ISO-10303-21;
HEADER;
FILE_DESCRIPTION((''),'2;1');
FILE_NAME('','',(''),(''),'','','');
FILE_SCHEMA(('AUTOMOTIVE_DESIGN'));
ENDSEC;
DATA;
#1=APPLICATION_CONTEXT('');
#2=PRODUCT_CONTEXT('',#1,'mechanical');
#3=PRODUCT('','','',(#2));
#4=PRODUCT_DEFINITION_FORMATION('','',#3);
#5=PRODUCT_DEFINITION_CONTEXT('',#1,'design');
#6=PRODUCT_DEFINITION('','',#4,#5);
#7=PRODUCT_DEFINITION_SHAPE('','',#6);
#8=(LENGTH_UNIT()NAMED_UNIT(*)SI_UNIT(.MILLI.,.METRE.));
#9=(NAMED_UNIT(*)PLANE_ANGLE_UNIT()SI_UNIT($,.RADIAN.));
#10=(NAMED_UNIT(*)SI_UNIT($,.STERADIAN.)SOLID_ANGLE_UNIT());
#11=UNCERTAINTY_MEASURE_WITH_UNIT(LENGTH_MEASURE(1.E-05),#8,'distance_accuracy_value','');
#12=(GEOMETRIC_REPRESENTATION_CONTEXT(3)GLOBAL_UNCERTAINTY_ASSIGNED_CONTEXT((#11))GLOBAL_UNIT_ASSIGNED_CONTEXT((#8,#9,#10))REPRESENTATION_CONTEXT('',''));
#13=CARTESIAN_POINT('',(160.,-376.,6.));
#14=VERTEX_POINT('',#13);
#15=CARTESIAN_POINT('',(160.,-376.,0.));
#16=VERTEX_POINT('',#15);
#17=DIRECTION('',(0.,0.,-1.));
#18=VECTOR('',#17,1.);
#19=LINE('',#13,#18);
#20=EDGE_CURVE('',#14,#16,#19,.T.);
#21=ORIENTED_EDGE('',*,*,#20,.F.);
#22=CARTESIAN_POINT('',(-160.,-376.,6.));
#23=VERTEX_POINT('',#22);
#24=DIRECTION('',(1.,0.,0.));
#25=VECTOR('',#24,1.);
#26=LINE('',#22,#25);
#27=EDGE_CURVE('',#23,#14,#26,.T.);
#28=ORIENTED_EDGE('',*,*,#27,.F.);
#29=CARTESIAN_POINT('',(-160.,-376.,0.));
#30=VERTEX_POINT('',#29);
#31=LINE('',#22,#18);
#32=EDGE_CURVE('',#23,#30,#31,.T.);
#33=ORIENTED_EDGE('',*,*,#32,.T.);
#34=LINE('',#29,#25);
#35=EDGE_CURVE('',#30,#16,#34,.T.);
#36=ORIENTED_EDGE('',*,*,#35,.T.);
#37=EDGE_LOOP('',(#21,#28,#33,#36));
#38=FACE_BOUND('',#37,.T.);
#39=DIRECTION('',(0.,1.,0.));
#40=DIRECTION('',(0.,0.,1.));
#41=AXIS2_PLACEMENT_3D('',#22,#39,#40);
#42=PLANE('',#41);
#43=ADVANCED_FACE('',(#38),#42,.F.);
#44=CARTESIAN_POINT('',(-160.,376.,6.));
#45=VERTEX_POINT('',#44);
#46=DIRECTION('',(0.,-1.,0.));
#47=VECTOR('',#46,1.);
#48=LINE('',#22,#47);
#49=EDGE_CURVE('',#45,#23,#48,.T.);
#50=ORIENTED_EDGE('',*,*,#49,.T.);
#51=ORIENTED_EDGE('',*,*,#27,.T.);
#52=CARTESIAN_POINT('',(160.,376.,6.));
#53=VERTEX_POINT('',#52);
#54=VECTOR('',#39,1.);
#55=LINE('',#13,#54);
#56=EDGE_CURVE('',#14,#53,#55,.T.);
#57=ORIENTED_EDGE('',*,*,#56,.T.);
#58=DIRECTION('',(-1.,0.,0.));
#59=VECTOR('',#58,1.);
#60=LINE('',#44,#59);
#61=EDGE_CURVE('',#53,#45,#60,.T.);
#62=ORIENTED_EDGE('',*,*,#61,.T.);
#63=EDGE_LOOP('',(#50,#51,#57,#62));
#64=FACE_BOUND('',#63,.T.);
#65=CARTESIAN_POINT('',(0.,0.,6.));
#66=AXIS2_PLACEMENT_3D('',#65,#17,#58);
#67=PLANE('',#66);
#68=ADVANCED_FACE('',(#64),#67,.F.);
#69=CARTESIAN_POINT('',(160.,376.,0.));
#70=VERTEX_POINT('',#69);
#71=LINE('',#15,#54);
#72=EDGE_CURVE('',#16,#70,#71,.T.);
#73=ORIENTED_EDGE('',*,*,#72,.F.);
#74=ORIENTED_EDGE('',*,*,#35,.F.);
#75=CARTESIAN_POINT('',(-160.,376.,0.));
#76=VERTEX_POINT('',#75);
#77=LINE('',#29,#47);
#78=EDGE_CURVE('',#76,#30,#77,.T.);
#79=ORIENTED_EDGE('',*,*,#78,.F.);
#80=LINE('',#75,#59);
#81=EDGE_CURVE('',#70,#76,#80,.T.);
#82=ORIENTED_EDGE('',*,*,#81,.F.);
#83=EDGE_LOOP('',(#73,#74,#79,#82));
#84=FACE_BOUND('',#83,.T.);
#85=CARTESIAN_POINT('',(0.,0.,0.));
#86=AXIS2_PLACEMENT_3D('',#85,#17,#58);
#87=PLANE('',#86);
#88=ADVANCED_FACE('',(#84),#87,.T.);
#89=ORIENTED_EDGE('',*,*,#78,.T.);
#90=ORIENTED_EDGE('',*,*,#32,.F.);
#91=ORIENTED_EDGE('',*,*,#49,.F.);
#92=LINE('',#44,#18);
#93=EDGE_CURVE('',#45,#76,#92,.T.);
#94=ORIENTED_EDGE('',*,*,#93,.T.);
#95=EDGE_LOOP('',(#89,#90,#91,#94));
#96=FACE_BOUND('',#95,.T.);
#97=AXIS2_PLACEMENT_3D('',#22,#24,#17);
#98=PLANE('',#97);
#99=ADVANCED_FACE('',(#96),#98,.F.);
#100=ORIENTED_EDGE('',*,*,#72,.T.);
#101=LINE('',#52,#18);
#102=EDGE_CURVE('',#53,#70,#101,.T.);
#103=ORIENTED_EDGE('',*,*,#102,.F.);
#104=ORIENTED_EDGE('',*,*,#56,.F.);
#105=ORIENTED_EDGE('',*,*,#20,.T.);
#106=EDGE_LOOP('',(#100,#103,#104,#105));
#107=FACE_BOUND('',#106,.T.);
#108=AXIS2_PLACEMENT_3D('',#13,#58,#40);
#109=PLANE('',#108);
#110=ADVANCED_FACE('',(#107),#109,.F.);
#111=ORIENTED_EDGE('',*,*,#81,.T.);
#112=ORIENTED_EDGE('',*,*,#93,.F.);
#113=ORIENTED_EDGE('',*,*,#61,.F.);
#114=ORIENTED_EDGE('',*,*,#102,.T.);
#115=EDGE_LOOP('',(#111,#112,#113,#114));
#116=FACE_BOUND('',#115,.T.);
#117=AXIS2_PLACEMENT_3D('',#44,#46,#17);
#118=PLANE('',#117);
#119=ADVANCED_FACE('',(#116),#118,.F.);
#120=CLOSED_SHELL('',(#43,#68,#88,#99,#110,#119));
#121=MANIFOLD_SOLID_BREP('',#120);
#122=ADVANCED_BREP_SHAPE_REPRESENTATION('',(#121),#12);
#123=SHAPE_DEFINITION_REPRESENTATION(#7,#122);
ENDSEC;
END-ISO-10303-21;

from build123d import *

# Parameters (mm, degrees)
ESQUISSE1_W        = 320
ESQUISSE1_H        = 752
BOSS_EXTRU_1_DEPTH = 6


with BuildPart() as part:
    # Esquisse1 → Boss.-Extru.1 (new body)
    with BuildSketch(Plane.XY):
        Rectangle(ESQUISSE1_W, ESQUISSE1_H)
    extrude(amount=BOSS_EXTRU_1_DEPTH)


solid = part.part
